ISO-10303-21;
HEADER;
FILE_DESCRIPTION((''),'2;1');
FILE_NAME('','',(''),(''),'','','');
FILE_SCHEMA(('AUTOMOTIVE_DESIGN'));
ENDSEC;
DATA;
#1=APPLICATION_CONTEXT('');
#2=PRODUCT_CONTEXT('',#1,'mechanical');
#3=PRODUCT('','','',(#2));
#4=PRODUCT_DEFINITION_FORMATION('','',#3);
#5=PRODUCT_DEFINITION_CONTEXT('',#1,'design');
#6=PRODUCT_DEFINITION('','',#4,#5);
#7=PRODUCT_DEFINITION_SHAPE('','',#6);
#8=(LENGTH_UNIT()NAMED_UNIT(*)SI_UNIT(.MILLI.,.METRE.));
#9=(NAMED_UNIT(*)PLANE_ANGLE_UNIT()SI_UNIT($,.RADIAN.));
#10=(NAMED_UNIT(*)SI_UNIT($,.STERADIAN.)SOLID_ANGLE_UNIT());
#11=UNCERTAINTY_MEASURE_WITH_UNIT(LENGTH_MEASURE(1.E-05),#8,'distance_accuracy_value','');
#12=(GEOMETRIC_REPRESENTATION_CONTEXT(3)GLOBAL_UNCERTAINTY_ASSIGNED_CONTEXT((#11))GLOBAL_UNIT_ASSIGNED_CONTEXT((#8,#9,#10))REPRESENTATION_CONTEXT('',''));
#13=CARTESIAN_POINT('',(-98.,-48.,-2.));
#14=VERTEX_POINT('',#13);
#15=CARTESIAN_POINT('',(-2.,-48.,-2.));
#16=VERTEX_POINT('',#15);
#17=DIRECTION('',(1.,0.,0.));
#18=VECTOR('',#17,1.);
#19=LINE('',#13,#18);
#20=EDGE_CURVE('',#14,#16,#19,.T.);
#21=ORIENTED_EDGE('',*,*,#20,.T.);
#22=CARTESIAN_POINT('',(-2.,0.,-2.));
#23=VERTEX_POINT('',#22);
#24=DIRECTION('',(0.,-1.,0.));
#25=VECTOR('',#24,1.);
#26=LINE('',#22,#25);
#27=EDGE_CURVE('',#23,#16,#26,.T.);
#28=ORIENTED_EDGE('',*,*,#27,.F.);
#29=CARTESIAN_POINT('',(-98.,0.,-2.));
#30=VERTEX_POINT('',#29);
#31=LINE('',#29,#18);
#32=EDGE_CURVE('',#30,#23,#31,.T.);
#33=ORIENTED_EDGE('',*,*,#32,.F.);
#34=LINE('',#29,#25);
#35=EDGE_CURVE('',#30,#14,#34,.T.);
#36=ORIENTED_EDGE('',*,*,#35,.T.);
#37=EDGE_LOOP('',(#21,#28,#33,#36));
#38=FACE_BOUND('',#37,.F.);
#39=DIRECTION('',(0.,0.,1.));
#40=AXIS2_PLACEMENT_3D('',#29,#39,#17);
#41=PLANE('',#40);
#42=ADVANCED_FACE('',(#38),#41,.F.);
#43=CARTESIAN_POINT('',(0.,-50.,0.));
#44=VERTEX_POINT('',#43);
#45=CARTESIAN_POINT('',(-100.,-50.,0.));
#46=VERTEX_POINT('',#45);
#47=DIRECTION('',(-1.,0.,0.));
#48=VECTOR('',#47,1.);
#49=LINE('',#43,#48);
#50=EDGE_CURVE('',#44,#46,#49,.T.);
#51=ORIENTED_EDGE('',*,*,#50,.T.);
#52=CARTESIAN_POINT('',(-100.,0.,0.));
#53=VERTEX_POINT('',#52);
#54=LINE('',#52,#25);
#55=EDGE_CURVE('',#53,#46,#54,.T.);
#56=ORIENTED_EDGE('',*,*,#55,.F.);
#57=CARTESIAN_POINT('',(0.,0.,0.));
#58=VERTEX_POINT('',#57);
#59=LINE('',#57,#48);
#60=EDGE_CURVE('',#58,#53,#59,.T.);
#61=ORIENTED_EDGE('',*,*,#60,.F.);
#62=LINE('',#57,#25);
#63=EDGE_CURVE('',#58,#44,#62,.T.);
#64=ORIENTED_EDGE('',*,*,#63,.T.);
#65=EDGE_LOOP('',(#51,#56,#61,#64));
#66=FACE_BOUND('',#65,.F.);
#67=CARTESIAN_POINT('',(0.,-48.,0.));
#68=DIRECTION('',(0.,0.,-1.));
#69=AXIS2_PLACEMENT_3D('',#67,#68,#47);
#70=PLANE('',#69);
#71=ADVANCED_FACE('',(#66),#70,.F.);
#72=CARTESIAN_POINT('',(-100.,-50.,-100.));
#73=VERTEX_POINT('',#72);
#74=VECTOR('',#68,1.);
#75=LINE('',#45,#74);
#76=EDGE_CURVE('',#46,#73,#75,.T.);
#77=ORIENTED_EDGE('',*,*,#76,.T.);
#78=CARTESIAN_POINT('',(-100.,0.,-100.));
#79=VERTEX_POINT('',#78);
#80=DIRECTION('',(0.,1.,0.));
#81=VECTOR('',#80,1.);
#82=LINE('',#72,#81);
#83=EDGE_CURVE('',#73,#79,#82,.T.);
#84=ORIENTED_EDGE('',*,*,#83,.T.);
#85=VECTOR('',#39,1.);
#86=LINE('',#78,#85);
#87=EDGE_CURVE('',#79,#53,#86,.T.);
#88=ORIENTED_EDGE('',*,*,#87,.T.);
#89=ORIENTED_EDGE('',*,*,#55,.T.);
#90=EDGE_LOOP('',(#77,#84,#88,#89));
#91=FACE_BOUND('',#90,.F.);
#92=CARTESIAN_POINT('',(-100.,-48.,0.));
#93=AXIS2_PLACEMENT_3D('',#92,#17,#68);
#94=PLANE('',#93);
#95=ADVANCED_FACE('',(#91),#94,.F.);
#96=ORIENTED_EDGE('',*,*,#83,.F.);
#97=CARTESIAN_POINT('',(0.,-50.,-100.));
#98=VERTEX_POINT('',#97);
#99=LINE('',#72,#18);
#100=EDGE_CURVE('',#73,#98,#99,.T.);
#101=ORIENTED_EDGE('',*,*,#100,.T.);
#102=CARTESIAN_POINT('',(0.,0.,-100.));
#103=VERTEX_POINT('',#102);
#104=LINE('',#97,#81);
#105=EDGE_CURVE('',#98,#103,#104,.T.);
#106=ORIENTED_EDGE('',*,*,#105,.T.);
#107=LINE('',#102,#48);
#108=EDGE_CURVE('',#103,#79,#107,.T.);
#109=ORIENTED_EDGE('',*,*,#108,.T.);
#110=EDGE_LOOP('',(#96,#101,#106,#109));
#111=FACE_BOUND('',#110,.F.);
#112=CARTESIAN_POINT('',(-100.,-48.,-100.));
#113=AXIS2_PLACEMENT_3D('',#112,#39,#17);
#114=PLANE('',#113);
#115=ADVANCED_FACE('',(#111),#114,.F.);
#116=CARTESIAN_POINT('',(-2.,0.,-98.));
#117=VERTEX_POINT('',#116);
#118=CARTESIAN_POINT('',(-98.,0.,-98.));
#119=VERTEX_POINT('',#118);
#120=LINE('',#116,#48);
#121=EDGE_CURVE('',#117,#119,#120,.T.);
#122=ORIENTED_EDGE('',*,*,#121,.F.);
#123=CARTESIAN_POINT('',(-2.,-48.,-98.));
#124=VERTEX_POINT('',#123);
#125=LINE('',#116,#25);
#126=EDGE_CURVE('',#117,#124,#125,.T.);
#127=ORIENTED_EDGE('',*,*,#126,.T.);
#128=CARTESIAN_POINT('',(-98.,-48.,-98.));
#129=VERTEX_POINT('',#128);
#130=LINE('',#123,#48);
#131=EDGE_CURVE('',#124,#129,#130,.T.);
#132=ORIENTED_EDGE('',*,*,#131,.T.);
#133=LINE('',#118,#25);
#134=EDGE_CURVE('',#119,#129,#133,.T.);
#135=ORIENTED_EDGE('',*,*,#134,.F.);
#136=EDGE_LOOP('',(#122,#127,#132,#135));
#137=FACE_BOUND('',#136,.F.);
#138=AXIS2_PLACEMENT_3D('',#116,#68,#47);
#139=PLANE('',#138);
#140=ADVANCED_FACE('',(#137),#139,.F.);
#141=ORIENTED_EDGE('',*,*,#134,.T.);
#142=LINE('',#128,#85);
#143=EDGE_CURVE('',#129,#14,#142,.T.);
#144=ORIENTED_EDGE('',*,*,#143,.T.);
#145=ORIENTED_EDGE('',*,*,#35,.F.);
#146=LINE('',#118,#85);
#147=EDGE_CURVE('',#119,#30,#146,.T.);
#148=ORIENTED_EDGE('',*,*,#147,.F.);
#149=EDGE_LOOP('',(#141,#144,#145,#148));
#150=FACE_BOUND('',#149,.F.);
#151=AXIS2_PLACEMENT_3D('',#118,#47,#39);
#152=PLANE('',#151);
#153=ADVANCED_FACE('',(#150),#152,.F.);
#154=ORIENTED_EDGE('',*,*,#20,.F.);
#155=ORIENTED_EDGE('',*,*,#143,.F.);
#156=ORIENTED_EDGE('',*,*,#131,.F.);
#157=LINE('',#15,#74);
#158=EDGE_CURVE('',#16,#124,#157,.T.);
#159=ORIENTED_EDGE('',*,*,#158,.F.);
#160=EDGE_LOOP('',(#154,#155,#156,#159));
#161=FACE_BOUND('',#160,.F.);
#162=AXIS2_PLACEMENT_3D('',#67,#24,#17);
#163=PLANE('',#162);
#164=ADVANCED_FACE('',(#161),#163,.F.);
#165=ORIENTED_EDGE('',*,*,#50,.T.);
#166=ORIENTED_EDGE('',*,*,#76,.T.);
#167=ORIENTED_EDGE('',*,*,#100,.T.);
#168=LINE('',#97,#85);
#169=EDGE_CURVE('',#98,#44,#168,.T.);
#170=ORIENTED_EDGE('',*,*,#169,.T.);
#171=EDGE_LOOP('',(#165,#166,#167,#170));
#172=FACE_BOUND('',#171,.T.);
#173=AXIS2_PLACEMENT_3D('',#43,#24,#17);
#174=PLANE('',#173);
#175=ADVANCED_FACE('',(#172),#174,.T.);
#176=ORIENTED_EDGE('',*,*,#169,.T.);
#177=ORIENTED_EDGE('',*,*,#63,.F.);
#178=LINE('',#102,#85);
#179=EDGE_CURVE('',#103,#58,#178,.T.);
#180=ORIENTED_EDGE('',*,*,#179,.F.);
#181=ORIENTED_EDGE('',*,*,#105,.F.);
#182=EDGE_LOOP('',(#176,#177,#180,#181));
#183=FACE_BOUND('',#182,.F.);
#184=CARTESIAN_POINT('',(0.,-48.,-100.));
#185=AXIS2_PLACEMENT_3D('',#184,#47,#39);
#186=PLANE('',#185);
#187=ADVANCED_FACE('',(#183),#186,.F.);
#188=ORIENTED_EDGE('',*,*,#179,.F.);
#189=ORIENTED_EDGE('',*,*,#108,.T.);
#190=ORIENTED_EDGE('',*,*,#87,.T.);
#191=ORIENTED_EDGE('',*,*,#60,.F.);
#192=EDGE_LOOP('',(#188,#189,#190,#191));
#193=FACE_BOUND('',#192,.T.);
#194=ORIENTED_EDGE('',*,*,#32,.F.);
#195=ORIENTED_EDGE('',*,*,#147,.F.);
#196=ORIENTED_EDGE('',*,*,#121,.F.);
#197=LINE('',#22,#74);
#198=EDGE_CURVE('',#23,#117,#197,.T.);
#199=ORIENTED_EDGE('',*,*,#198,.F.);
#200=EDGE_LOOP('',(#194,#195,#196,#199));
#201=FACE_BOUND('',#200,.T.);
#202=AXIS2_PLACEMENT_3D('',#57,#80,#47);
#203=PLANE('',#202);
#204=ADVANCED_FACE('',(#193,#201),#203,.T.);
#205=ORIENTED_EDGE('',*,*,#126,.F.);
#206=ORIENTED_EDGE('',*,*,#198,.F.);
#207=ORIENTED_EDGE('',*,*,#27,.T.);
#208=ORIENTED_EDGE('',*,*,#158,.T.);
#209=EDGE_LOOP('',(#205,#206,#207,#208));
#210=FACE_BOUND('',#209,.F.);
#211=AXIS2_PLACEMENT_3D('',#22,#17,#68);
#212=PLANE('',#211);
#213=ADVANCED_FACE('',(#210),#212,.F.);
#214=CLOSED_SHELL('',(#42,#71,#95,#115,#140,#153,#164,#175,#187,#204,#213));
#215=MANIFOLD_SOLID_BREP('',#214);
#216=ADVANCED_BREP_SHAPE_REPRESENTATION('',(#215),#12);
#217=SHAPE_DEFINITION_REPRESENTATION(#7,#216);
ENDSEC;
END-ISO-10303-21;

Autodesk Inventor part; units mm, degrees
ref_plane "YZ Plane" through (0, 0, 0) normal (1, 0, 0) x (0, 1, 0)
ref_plane "XZ Plane" through (0, 0, 0) normal (0, 1, 0) x (-1, 0, 0)
ref_plane "XY Plane" through (0, 0, 0) normal (0, 0, 1) x (1, 0, 0)
sketch "Sketch1" plane through (0, 0, 0) normal (0, 1, 0) x (-1, 0, 0)
  line L0 (0, 0) -> (100, 0)
  line L1 (100, 0) -> (100, -100)
  line L2 (100, -100) -> (0, -100)
  line L3 (0, -100) -> (0, 0)
  line L4 (100, 0) -> (98, 0)
  line L5 (98, 0) -> (98, -2)
  line L6 (98, -2) -> (100, -2)
  line L7 (100, -2) -> (100, 0)
  line L8 (100, -100) -> (98, -100)
  line L9 (98, -100) -> (98, -98)
  line L10 (98, -98) -> (100, -98)
  line L11 (100, -98) -> (100, -100)
  line L12 (0, -100) -> (2, -100)
  line L13 (2, -100) -> (2, -98)
  line L14 (2, -98) -> (0, -98)
  line L15 (0, -98) -> (0, -100)
  line L16 (0, 0) -> (2, 0)
  line L17 (2, 0) -> (2, -2)
  line L18 (2, -2) -> (0, -2)
  line L19 (0, -2) -> (0, 0)
  line L20 (98, -2) -> (2, -2)
  line L21 (2, -2) -> (2, -98)
  line L22 (2, -98) -> (98, -98)
  line L23 (98, -98) -> (98, -2)
  dimension "d0" = 100
  dimension "d1" = 100
  dimension "d2" = 2
  dimension "d3" = 2
  dimension "d4" = 2
  dimension "d5" = 2
  dimension "d6" = 2
  dimension "d7" = 2
  dimension "d8" = 2
  dimension "d9" = 2
extrude "Extrusion1" add sketch "Sketch1" against normal blind 48 contours L0 L17 L18 L3 | L0 L5 L20 L17 | L18 L21 L14 L3 | L0 L1 L6 L5 | L14 L13 L2 L3 | L6 L1 L10 L23 | L22 L9 L2 L13 | L10 L1 L2 L9
sketch "Sketch2" plane through (0, -48, 0) normal (0, -1, 0) x (1, 0, 0)
  line L0 (0, 0) -> (-100, 0)
  line L1 (-100, 0) -> (-100, -100)
  line L2 (-100, -100) -> (0, -100)
  line L3 (0, -100) -> (0, 0)
extrude "Extrusion2" add sketch "Sketch2" along normal blind 2
extrude "Extrusion3" [suppressed]
sketch "Sketch4" plane through (0, 48, 0) normal (0, 1, 0) x (1, 0, 0)
  line L0 (-100, 100) -> (0, 100)
  line L1 (0, 100) -> (0, 0)
  line L2 (0, 0) -> (-100, 0)
  line L3 (-100, 0) -> (-100, 100)
extrude "Extrusion4" [suppressed]
properties part number "Box"
